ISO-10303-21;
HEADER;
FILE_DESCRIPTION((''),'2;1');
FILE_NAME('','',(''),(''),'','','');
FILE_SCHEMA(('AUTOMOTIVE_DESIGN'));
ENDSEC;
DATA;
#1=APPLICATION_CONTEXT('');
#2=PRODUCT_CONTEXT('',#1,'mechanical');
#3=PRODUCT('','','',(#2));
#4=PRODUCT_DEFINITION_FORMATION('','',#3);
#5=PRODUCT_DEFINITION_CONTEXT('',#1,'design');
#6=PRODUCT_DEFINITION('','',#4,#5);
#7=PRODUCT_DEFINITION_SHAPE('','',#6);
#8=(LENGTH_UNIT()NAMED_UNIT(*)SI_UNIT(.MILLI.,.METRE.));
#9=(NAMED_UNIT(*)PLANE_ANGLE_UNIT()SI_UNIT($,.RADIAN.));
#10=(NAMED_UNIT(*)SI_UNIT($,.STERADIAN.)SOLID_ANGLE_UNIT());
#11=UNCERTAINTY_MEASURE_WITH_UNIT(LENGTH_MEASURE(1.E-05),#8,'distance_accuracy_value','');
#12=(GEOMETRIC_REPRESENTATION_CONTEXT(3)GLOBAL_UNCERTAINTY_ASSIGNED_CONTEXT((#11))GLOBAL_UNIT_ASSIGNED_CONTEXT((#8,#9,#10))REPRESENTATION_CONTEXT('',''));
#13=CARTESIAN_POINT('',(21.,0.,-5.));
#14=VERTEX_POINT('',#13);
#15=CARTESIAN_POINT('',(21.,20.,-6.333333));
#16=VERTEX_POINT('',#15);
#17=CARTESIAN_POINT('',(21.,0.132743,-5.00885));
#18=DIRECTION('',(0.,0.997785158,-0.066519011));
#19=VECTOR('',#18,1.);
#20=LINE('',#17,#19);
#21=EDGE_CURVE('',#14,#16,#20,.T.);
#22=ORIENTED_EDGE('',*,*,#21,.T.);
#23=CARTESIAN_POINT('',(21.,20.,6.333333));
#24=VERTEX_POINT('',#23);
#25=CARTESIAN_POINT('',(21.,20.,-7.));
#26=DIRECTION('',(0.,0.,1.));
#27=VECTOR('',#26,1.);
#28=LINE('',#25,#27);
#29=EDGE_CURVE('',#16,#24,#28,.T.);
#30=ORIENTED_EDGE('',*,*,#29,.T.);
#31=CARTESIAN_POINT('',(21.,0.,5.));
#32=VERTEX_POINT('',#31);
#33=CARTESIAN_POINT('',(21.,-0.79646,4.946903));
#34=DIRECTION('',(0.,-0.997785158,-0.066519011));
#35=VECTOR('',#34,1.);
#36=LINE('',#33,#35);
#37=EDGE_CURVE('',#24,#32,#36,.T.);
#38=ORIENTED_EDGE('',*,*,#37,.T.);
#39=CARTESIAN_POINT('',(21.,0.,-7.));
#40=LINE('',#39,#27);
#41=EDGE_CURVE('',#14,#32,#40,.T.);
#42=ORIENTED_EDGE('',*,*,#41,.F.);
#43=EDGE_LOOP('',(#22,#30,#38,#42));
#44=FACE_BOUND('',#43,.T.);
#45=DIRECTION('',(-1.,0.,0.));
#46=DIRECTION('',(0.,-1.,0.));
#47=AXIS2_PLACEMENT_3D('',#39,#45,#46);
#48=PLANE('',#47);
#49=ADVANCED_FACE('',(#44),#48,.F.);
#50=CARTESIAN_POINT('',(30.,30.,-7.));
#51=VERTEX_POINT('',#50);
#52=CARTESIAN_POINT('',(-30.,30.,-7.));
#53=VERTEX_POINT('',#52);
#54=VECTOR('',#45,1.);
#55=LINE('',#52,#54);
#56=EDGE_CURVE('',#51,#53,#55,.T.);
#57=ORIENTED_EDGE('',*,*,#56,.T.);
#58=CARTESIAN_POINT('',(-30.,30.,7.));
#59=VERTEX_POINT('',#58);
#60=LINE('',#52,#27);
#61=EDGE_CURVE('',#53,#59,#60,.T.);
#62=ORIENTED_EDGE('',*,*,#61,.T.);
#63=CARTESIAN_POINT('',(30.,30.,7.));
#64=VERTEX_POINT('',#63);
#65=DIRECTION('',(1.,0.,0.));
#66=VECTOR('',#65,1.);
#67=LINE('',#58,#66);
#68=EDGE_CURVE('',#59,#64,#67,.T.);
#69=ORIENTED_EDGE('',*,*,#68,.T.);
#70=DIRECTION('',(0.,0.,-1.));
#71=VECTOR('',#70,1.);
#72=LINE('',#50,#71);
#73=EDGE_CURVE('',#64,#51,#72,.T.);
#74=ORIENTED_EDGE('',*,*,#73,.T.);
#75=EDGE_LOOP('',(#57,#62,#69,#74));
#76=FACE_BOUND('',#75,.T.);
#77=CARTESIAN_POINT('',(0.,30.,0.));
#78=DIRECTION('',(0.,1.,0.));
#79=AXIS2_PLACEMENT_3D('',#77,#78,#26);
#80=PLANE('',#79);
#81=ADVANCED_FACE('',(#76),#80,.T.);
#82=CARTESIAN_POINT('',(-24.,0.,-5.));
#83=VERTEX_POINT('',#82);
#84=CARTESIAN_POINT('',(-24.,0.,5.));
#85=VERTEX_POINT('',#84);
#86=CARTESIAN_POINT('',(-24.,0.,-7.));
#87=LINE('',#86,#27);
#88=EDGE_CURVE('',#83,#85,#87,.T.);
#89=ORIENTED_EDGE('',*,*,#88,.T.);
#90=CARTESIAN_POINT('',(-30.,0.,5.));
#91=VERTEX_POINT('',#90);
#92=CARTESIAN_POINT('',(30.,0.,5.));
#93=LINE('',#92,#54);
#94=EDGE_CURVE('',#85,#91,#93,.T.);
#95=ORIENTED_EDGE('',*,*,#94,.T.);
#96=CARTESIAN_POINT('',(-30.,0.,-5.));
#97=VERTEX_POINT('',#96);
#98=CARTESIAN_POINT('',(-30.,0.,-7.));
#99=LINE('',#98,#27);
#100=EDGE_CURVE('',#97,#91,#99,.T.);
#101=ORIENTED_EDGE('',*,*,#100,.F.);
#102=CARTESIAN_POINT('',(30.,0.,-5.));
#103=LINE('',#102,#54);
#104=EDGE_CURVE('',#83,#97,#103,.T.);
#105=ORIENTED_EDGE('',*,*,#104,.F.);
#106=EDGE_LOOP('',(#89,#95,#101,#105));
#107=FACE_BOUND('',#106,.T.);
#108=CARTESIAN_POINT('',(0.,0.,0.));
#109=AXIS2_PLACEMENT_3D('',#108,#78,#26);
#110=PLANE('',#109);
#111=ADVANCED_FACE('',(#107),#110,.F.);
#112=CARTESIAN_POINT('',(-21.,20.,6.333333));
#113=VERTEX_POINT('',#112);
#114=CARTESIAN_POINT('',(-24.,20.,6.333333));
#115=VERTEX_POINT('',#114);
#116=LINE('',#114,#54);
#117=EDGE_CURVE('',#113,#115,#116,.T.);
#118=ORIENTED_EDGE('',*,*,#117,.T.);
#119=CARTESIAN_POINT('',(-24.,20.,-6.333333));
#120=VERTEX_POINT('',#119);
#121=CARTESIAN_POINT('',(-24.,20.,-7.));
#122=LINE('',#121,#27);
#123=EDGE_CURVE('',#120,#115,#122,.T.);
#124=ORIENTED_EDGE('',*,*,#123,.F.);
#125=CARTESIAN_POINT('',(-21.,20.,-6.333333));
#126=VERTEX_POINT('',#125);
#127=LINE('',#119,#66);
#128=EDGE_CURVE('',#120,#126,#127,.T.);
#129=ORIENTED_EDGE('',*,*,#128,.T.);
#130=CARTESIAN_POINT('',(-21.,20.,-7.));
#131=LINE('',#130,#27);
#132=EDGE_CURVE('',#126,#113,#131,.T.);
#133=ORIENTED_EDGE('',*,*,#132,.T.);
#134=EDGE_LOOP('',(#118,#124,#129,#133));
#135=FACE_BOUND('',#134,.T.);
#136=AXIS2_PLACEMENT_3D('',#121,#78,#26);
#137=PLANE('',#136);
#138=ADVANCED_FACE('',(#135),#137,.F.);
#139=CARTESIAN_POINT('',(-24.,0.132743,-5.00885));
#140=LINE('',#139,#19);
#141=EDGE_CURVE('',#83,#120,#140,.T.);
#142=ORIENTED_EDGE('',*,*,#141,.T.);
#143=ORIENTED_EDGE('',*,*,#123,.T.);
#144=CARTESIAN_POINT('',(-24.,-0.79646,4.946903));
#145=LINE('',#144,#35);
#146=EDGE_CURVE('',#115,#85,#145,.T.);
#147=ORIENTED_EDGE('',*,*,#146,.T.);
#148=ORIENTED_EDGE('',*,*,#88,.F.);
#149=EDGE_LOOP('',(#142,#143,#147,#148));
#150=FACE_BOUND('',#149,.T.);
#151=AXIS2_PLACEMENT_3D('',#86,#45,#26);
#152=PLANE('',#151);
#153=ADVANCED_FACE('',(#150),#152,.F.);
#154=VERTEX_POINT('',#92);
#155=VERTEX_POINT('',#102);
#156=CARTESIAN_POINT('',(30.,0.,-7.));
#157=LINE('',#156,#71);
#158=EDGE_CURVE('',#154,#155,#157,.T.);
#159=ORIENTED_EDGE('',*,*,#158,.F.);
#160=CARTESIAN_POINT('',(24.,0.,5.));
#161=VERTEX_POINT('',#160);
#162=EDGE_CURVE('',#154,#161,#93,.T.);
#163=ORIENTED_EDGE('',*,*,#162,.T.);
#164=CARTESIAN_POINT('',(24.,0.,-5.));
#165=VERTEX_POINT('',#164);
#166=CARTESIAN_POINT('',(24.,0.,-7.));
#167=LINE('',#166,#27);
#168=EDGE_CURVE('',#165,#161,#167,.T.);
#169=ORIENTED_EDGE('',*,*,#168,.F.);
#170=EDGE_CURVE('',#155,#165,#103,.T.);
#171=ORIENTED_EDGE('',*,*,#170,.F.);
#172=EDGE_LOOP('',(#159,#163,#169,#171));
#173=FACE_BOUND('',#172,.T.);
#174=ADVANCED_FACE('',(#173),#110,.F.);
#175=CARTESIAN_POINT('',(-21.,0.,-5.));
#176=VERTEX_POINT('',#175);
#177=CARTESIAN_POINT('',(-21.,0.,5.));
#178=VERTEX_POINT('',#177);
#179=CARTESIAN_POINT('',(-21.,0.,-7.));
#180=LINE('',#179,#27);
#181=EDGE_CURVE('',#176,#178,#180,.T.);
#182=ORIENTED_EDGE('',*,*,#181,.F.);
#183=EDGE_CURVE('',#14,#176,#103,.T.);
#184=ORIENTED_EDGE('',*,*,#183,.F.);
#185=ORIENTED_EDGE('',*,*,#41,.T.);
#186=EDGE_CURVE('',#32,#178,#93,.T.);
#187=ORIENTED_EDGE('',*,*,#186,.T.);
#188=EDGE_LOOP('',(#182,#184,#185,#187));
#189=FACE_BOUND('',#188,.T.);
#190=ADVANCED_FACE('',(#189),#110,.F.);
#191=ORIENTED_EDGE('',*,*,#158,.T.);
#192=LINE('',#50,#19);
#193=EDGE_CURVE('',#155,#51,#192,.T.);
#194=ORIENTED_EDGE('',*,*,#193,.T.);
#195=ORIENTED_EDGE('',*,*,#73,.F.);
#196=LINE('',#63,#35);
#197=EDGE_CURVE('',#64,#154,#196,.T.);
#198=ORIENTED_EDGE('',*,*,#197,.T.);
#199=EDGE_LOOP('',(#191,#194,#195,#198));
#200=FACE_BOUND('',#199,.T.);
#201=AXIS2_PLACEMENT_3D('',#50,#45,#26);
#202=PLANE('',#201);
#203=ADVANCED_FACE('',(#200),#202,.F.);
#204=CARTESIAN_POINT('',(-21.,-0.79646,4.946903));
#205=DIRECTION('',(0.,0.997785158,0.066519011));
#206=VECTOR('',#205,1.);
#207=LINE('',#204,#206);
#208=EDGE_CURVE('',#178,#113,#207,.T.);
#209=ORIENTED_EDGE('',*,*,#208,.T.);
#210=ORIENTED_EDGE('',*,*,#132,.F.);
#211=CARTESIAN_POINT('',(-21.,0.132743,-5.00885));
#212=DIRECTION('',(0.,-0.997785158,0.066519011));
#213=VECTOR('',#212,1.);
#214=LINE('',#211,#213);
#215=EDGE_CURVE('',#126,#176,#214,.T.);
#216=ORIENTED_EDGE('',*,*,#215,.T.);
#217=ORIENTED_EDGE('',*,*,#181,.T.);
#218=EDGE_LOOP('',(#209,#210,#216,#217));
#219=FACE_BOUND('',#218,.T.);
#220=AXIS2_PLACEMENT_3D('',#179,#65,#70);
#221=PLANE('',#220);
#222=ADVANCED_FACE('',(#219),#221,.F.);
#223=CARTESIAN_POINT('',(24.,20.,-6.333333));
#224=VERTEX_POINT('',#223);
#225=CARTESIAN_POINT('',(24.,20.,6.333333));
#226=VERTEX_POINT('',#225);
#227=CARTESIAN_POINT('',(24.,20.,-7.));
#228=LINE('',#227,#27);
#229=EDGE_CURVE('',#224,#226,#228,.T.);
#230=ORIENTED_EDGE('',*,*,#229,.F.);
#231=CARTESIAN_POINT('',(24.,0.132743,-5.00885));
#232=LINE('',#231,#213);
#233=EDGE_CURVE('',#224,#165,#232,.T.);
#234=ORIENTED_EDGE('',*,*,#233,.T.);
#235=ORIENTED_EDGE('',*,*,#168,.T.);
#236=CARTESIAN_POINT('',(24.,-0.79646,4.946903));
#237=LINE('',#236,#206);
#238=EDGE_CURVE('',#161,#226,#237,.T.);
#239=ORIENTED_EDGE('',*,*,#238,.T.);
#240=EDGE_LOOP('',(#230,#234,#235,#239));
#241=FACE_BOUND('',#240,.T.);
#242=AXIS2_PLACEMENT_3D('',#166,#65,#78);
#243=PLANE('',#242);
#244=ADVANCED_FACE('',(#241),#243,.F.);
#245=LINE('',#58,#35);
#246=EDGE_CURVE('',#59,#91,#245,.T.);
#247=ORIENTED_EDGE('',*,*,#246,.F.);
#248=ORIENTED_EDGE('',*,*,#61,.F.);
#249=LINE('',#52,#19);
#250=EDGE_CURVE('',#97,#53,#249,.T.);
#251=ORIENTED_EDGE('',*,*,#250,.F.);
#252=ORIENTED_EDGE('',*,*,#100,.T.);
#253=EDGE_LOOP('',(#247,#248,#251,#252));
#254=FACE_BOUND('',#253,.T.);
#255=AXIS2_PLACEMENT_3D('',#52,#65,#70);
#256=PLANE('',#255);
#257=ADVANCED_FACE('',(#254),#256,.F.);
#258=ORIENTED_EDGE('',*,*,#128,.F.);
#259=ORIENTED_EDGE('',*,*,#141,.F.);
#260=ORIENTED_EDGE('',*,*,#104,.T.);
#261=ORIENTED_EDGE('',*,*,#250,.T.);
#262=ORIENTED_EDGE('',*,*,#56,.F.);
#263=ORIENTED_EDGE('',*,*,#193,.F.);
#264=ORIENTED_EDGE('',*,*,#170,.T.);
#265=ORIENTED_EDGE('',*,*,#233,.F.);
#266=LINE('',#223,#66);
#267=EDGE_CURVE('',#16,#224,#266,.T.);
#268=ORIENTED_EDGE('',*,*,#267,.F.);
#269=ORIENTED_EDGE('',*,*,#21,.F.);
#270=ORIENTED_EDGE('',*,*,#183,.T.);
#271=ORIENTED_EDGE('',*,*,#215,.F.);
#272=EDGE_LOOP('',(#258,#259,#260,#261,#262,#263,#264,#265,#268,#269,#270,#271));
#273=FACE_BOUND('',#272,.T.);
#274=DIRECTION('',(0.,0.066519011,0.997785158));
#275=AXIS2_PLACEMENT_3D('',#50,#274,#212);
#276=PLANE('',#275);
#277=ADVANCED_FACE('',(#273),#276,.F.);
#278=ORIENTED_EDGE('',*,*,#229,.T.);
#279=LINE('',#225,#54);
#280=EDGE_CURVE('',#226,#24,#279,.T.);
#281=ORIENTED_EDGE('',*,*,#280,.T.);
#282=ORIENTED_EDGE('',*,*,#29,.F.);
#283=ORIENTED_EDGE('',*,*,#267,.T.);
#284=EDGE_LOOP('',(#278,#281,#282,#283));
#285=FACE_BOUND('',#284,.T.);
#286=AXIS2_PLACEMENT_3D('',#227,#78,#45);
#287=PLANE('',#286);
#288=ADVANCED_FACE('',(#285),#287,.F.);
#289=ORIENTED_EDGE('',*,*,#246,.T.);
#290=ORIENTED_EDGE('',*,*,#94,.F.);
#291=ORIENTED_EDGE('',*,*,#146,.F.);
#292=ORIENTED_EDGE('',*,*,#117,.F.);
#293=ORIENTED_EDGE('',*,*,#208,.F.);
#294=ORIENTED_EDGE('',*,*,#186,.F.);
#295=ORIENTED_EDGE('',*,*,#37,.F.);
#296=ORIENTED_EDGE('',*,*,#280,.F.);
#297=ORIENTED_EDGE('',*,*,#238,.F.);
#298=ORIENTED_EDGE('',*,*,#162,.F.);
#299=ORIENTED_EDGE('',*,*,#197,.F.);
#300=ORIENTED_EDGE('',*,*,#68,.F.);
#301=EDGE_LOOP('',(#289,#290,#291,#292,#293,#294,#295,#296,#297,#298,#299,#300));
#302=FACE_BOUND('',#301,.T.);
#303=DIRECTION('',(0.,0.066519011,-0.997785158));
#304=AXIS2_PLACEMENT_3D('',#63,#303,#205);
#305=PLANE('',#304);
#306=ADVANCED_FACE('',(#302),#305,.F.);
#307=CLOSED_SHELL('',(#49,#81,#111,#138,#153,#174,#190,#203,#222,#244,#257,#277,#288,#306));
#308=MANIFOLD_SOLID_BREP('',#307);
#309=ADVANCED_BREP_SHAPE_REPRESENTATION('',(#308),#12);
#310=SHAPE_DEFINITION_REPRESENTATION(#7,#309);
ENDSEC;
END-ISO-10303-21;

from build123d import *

# Parameters (mm, degrees)
SKETCH1_W           = 60
SKETCH1_H           = 14
BOSS_EXTRUDE1_DEPTH = 30
SKETCH2_W           = 3
SKETCH2_H           = 20
CUT_EXTRUDE1_DEPTH  = 45.676615807
CUT_EXTRUDE2_DEPTH  = 68.446274916


with BuildPart() as part:
    # Sketch1 → Boss-Extrude1 (new body)
    with BuildSketch(Plane(origin=(0, 0, 0), x_dir=(1, 0, 0), z_dir=(0, 1, 0))):
        Rectangle(SKETCH1_W, SKETCH1_H)
    extrude(amount=BOSS_EXTRUDE1_DEPTH)

    # Sketch2 → Cut-Extrude1 (cut, through all)
    with BuildSketch(Plane.XY.offset(7)):
        with Locations((-22.5, 10)):
            Rectangle(SKETCH2_W, SKETCH2_H)
        with Locations((22.5, 10)):
            Rectangle(SKETCH2_W, SKETCH2_H)
    extrude(amount=-CUT_EXTRUDE1_DEPTH, mode=Mode.SUBTRACT)

    # Sketch3 → Cut-Extrude2 (cut, through all)
    with BuildSketch(Plane.ZY.offset(30)):
        Polygon((-7, 30), (-5, 0), (-7, 0), align=None)
        Polygon((7, 30), (5, 0), (7, 0), align=None)
    extrude(amount=-CUT_EXTRUDE2_DEPTH, mode=Mode.SUBTRACT)


solid = part.part
